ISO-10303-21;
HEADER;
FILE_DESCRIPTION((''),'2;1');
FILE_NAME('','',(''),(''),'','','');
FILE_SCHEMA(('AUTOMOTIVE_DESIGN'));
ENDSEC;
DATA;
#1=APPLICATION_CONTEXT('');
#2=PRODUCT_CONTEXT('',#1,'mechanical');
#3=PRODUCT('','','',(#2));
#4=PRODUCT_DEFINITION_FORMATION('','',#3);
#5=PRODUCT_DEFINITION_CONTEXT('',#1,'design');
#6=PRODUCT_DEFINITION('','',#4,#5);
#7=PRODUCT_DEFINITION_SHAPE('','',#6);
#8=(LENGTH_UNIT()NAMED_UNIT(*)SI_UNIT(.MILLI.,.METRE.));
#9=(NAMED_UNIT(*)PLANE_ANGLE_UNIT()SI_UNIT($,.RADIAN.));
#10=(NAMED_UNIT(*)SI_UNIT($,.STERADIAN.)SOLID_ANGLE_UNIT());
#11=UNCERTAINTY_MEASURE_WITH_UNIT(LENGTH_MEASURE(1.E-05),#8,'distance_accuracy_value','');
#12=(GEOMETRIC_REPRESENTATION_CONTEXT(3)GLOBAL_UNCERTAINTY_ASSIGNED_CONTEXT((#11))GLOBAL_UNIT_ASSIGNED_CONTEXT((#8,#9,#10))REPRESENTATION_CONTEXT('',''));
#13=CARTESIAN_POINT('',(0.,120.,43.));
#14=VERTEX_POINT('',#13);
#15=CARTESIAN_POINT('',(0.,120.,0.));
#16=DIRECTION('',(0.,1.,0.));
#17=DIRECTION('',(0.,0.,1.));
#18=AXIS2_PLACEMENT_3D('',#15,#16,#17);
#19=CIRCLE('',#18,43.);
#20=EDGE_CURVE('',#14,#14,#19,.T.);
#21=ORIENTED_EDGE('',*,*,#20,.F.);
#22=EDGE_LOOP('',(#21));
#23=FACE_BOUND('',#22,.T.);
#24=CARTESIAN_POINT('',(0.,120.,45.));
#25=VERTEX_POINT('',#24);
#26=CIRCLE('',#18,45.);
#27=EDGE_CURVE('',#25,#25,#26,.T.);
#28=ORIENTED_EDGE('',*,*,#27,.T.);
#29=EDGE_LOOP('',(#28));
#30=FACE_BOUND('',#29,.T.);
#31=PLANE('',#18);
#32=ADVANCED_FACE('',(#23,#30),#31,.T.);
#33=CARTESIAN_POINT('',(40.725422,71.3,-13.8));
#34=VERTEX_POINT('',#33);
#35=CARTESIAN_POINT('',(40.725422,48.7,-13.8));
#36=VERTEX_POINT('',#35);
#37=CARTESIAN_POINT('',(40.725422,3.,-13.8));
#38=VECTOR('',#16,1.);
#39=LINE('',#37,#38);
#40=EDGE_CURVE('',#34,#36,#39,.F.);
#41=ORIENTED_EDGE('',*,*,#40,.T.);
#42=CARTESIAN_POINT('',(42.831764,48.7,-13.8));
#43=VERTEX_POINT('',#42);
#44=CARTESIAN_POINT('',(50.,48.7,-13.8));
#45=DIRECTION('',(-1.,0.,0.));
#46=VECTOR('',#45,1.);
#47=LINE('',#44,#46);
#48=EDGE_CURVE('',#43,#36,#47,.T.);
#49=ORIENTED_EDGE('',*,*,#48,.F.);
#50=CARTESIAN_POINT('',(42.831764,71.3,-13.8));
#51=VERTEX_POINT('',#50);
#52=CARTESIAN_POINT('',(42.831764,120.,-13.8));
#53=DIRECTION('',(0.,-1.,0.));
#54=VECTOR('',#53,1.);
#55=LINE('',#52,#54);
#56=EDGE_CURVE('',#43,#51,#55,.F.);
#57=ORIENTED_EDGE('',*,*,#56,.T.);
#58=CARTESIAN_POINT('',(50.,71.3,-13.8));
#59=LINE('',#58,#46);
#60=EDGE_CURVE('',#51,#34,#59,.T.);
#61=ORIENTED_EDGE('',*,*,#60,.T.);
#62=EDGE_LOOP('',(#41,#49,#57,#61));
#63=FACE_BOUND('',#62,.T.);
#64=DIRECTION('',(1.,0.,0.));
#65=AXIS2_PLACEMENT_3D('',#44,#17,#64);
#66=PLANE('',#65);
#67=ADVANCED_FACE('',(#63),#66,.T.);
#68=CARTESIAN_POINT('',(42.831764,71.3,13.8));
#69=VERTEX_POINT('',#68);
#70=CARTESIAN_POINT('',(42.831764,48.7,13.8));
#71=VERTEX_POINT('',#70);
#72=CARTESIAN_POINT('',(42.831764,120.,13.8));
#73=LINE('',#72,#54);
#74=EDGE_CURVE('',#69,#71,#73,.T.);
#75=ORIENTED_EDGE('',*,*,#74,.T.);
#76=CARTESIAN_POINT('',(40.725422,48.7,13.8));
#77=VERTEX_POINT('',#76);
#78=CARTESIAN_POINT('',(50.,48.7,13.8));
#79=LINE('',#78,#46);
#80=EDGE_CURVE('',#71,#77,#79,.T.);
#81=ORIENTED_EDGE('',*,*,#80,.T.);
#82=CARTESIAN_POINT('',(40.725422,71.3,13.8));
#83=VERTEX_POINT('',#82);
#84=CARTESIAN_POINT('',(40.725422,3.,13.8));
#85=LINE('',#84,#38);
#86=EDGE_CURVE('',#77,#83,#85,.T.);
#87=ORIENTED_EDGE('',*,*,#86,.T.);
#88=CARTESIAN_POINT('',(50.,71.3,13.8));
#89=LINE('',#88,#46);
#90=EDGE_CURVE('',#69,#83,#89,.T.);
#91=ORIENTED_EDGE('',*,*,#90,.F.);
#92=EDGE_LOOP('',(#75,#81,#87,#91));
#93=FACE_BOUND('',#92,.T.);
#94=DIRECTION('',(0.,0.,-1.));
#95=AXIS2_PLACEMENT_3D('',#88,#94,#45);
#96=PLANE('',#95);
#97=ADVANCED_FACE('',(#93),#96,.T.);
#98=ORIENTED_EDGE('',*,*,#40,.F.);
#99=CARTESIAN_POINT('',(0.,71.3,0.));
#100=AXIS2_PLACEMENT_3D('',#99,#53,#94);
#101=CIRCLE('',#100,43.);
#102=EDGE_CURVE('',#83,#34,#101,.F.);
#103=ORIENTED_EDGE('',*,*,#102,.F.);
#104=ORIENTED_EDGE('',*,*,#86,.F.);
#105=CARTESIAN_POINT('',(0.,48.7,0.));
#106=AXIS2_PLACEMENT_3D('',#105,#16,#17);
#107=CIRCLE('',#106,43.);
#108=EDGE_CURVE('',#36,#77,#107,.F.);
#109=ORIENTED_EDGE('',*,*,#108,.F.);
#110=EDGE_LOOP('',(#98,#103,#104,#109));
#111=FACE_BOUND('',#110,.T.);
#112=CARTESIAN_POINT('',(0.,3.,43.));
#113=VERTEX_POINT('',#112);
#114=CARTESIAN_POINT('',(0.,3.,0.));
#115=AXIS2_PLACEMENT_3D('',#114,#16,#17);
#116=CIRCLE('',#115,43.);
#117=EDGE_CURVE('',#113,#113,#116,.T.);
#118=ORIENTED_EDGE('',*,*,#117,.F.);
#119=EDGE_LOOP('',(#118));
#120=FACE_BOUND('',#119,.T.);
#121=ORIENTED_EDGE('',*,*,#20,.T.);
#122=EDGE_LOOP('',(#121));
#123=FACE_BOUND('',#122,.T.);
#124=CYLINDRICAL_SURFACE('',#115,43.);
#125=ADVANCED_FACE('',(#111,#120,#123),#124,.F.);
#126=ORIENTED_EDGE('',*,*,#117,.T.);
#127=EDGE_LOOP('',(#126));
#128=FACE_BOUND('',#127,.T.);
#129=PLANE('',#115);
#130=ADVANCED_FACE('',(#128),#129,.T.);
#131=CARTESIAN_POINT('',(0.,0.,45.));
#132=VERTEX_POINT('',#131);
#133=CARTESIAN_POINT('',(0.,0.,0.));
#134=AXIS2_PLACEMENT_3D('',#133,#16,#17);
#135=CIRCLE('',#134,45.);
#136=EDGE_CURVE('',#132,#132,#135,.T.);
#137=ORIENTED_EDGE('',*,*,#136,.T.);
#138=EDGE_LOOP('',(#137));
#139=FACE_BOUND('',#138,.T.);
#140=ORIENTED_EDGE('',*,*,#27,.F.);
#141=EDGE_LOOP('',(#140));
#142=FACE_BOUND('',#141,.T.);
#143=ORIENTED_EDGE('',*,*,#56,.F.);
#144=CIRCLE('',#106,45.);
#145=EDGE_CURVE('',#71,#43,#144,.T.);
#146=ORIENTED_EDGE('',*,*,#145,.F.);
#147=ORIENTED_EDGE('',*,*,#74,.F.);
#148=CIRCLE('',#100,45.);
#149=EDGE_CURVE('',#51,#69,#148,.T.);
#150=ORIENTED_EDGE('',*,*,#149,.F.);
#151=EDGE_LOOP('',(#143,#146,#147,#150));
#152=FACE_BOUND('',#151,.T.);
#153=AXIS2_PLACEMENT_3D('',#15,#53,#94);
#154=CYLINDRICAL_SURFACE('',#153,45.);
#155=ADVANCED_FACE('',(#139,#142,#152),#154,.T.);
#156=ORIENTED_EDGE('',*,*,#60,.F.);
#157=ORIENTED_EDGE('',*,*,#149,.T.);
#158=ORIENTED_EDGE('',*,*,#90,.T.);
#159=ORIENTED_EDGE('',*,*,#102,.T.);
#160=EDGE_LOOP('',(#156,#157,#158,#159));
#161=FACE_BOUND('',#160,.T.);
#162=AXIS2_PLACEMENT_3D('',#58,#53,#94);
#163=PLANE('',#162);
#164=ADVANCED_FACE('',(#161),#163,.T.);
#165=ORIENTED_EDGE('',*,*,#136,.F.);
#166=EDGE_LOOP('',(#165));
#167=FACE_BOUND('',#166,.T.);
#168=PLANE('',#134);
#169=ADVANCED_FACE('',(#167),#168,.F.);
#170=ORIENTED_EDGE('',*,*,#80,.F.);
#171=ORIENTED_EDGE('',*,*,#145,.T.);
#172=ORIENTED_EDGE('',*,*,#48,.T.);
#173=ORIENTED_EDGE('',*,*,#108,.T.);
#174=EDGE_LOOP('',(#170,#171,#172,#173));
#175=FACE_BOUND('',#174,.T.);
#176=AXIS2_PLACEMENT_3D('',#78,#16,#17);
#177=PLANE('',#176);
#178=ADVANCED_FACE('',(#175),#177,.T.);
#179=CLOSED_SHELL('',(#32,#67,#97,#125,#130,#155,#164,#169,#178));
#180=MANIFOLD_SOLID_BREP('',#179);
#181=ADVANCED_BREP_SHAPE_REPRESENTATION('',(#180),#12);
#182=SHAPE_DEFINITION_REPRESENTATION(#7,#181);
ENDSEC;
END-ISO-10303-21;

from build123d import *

# Parameters (mm, degrees)
SKETCH1_R            = 45
JAR_BODY_DEPTH       = 120
JAR_INSIDE_START     = 120
SKETCH2_R            = 43
JAR_INSIDE_DEPTH     = 117
TURBIDITY_HOLE_START = 40
SKETCH3_W            = 27.6
SKETCH3_H            = 22.6
TURBIDITY_HOLE_DEPTH = 10


with BuildPart() as part:
    # Sketch1 → Jar_Body (new body)
    with BuildSketch(Plane(origin=(0, 0, 0), x_dir=(1, 0, 0), z_dir=(0, 1, 0))):
        with Locations(Location((0, 0, 0), (0, 0, 270))):
            Circle(SKETCH1_R)
    extrude(amount=JAR_BODY_DEPTH)

    # Sketch2 → Jar_Inside (cut)
    with BuildSketch(Plane(origin=(0, 0, 0), x_dir=(1, 0, 0), z_dir=(0, 1, 0)).offset(JAR_INSIDE_START)):
        with Locations(Location((0, 0, 0), (0, 0, 270))):
            Circle(SKETCH2_R)
    extrude(amount=-JAR_INSIDE_DEPTH, mode=Mode.SUBTRACT)

    # Sketch3 → Turbidity_Hole (cut)
    with BuildSketch(Plane(origin=(0, 0, 0), x_dir=(0, 0, -1), z_dir=(1, 0, 0)).offset(TURBIDITY_HOLE_START)):
        with Locations((0, 60)):
            Rectangle(SKETCH3_W, SKETCH3_H)
    extrude(amount=TURBIDITY_HOLE_DEPTH, mode=Mode.SUBTRACT)


solid = part.part
